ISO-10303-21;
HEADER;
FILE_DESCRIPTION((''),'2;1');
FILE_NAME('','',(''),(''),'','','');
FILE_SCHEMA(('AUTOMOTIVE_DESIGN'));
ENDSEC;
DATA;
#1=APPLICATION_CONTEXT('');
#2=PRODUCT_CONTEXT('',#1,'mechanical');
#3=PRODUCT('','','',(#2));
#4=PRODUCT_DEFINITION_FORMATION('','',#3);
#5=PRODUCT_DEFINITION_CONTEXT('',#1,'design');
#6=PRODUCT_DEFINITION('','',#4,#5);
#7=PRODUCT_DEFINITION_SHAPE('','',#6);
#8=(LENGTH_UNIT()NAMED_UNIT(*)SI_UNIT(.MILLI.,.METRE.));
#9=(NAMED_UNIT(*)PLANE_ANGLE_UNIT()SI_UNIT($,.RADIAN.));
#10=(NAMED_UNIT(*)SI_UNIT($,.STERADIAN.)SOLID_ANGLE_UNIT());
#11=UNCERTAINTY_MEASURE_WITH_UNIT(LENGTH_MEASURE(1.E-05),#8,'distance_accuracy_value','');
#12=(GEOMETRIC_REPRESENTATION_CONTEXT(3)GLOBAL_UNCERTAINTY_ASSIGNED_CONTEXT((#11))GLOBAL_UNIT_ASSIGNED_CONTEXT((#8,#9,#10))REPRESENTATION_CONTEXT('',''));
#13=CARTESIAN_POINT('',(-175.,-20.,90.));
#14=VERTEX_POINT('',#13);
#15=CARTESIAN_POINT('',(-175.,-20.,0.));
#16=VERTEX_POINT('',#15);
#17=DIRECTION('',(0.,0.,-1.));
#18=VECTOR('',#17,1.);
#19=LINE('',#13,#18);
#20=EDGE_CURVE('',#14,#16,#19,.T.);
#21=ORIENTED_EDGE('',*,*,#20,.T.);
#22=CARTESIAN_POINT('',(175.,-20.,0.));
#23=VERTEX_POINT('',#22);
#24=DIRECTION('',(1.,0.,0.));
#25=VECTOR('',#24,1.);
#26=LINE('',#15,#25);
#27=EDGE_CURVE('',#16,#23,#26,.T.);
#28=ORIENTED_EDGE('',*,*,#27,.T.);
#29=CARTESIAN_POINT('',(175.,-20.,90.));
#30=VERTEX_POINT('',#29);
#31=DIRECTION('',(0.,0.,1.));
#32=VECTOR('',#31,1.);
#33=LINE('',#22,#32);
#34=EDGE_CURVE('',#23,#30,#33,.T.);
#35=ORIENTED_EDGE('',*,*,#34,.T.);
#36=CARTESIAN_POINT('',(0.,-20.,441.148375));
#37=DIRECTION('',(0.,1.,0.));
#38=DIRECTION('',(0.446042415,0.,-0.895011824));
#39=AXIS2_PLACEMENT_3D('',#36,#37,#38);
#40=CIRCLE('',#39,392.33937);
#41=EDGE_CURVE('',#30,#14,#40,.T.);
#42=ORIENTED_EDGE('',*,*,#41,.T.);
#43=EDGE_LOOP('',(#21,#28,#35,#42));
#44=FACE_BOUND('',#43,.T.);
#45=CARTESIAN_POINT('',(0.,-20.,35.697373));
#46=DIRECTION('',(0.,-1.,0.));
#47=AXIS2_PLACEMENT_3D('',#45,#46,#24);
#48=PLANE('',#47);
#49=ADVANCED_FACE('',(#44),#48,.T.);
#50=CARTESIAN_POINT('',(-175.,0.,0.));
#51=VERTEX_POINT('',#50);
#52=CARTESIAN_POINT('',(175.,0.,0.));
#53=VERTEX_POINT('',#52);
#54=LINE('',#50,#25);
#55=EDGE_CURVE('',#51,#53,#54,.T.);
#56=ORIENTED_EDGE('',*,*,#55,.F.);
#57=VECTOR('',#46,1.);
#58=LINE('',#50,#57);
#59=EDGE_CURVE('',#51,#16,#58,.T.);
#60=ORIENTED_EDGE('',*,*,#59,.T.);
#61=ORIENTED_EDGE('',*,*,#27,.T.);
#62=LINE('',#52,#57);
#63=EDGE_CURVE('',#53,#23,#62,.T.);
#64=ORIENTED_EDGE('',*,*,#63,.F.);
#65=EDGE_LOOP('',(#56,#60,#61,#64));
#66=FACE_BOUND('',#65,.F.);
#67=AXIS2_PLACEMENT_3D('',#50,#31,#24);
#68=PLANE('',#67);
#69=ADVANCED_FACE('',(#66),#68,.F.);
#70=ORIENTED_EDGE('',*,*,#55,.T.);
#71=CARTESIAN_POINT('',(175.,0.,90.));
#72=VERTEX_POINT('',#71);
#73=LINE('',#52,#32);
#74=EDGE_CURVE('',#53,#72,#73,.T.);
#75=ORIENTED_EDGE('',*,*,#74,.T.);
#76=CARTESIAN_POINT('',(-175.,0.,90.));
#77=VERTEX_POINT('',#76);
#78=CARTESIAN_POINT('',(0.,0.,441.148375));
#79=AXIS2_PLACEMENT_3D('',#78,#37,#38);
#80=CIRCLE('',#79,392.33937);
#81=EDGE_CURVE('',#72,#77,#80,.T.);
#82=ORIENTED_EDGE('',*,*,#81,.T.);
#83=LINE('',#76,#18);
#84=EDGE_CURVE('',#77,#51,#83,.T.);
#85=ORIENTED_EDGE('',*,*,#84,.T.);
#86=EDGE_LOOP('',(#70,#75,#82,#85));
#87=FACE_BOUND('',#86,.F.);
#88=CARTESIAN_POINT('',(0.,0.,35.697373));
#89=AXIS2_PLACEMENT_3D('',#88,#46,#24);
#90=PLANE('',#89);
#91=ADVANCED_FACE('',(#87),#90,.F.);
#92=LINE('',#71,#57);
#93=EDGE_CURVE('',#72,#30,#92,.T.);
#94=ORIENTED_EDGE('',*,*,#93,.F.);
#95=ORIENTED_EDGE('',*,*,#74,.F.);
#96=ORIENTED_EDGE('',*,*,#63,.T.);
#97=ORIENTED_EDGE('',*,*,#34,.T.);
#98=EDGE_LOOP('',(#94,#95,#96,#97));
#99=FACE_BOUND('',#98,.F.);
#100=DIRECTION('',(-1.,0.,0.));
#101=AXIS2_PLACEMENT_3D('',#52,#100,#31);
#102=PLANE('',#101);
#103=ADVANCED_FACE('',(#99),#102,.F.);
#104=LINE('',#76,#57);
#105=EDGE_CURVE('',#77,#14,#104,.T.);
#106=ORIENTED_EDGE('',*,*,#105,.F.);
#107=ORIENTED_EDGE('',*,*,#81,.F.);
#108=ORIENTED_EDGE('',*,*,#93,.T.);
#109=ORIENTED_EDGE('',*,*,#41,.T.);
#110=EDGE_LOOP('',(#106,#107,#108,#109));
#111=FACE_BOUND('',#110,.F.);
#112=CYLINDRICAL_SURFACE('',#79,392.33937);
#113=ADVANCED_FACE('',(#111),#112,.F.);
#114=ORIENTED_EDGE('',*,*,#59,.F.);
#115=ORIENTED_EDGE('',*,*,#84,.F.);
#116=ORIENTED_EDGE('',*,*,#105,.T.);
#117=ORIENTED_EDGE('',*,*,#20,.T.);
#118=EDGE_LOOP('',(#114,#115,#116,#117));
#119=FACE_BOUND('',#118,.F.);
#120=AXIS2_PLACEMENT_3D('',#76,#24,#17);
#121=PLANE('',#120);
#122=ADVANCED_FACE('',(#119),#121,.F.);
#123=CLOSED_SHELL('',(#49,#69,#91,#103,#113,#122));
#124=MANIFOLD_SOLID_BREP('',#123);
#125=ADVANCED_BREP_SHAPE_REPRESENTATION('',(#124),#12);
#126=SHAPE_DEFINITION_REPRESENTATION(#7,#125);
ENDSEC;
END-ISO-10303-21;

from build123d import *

# Parameters (mm, degrees)
F1_DEPTH = 20
F2_DEPTH = 20


with BuildPart() as f1:
    # F0 (on Front) → F1 (new body)
    with BuildSketch(Plane.XZ):
        with BuildLine():
            Line((-175, 90), (-175, 0))
            Line((-175, 0), (175, 0))
            Line((175, 0), (175, 90))
            ThreePointArc((175, 90), (0, 48.809005), (-175, 90))
        make_face()
    extrude(amount=F1_DEPTH)

    # F0 (on Front) → F2 (join)
    with BuildSketch(Plane.XZ):
        with BuildLine():
            Line((-175, 90), (-175, 0))
            Line((-175, 0), (175, 0))
            Line((175, 0), (175, 90))
            ThreePointArc((175, 90), (0, 48.809005), (-175, 90))
        make_face()
    extrude(amount=F2_DEPTH)


solid = f1.part
